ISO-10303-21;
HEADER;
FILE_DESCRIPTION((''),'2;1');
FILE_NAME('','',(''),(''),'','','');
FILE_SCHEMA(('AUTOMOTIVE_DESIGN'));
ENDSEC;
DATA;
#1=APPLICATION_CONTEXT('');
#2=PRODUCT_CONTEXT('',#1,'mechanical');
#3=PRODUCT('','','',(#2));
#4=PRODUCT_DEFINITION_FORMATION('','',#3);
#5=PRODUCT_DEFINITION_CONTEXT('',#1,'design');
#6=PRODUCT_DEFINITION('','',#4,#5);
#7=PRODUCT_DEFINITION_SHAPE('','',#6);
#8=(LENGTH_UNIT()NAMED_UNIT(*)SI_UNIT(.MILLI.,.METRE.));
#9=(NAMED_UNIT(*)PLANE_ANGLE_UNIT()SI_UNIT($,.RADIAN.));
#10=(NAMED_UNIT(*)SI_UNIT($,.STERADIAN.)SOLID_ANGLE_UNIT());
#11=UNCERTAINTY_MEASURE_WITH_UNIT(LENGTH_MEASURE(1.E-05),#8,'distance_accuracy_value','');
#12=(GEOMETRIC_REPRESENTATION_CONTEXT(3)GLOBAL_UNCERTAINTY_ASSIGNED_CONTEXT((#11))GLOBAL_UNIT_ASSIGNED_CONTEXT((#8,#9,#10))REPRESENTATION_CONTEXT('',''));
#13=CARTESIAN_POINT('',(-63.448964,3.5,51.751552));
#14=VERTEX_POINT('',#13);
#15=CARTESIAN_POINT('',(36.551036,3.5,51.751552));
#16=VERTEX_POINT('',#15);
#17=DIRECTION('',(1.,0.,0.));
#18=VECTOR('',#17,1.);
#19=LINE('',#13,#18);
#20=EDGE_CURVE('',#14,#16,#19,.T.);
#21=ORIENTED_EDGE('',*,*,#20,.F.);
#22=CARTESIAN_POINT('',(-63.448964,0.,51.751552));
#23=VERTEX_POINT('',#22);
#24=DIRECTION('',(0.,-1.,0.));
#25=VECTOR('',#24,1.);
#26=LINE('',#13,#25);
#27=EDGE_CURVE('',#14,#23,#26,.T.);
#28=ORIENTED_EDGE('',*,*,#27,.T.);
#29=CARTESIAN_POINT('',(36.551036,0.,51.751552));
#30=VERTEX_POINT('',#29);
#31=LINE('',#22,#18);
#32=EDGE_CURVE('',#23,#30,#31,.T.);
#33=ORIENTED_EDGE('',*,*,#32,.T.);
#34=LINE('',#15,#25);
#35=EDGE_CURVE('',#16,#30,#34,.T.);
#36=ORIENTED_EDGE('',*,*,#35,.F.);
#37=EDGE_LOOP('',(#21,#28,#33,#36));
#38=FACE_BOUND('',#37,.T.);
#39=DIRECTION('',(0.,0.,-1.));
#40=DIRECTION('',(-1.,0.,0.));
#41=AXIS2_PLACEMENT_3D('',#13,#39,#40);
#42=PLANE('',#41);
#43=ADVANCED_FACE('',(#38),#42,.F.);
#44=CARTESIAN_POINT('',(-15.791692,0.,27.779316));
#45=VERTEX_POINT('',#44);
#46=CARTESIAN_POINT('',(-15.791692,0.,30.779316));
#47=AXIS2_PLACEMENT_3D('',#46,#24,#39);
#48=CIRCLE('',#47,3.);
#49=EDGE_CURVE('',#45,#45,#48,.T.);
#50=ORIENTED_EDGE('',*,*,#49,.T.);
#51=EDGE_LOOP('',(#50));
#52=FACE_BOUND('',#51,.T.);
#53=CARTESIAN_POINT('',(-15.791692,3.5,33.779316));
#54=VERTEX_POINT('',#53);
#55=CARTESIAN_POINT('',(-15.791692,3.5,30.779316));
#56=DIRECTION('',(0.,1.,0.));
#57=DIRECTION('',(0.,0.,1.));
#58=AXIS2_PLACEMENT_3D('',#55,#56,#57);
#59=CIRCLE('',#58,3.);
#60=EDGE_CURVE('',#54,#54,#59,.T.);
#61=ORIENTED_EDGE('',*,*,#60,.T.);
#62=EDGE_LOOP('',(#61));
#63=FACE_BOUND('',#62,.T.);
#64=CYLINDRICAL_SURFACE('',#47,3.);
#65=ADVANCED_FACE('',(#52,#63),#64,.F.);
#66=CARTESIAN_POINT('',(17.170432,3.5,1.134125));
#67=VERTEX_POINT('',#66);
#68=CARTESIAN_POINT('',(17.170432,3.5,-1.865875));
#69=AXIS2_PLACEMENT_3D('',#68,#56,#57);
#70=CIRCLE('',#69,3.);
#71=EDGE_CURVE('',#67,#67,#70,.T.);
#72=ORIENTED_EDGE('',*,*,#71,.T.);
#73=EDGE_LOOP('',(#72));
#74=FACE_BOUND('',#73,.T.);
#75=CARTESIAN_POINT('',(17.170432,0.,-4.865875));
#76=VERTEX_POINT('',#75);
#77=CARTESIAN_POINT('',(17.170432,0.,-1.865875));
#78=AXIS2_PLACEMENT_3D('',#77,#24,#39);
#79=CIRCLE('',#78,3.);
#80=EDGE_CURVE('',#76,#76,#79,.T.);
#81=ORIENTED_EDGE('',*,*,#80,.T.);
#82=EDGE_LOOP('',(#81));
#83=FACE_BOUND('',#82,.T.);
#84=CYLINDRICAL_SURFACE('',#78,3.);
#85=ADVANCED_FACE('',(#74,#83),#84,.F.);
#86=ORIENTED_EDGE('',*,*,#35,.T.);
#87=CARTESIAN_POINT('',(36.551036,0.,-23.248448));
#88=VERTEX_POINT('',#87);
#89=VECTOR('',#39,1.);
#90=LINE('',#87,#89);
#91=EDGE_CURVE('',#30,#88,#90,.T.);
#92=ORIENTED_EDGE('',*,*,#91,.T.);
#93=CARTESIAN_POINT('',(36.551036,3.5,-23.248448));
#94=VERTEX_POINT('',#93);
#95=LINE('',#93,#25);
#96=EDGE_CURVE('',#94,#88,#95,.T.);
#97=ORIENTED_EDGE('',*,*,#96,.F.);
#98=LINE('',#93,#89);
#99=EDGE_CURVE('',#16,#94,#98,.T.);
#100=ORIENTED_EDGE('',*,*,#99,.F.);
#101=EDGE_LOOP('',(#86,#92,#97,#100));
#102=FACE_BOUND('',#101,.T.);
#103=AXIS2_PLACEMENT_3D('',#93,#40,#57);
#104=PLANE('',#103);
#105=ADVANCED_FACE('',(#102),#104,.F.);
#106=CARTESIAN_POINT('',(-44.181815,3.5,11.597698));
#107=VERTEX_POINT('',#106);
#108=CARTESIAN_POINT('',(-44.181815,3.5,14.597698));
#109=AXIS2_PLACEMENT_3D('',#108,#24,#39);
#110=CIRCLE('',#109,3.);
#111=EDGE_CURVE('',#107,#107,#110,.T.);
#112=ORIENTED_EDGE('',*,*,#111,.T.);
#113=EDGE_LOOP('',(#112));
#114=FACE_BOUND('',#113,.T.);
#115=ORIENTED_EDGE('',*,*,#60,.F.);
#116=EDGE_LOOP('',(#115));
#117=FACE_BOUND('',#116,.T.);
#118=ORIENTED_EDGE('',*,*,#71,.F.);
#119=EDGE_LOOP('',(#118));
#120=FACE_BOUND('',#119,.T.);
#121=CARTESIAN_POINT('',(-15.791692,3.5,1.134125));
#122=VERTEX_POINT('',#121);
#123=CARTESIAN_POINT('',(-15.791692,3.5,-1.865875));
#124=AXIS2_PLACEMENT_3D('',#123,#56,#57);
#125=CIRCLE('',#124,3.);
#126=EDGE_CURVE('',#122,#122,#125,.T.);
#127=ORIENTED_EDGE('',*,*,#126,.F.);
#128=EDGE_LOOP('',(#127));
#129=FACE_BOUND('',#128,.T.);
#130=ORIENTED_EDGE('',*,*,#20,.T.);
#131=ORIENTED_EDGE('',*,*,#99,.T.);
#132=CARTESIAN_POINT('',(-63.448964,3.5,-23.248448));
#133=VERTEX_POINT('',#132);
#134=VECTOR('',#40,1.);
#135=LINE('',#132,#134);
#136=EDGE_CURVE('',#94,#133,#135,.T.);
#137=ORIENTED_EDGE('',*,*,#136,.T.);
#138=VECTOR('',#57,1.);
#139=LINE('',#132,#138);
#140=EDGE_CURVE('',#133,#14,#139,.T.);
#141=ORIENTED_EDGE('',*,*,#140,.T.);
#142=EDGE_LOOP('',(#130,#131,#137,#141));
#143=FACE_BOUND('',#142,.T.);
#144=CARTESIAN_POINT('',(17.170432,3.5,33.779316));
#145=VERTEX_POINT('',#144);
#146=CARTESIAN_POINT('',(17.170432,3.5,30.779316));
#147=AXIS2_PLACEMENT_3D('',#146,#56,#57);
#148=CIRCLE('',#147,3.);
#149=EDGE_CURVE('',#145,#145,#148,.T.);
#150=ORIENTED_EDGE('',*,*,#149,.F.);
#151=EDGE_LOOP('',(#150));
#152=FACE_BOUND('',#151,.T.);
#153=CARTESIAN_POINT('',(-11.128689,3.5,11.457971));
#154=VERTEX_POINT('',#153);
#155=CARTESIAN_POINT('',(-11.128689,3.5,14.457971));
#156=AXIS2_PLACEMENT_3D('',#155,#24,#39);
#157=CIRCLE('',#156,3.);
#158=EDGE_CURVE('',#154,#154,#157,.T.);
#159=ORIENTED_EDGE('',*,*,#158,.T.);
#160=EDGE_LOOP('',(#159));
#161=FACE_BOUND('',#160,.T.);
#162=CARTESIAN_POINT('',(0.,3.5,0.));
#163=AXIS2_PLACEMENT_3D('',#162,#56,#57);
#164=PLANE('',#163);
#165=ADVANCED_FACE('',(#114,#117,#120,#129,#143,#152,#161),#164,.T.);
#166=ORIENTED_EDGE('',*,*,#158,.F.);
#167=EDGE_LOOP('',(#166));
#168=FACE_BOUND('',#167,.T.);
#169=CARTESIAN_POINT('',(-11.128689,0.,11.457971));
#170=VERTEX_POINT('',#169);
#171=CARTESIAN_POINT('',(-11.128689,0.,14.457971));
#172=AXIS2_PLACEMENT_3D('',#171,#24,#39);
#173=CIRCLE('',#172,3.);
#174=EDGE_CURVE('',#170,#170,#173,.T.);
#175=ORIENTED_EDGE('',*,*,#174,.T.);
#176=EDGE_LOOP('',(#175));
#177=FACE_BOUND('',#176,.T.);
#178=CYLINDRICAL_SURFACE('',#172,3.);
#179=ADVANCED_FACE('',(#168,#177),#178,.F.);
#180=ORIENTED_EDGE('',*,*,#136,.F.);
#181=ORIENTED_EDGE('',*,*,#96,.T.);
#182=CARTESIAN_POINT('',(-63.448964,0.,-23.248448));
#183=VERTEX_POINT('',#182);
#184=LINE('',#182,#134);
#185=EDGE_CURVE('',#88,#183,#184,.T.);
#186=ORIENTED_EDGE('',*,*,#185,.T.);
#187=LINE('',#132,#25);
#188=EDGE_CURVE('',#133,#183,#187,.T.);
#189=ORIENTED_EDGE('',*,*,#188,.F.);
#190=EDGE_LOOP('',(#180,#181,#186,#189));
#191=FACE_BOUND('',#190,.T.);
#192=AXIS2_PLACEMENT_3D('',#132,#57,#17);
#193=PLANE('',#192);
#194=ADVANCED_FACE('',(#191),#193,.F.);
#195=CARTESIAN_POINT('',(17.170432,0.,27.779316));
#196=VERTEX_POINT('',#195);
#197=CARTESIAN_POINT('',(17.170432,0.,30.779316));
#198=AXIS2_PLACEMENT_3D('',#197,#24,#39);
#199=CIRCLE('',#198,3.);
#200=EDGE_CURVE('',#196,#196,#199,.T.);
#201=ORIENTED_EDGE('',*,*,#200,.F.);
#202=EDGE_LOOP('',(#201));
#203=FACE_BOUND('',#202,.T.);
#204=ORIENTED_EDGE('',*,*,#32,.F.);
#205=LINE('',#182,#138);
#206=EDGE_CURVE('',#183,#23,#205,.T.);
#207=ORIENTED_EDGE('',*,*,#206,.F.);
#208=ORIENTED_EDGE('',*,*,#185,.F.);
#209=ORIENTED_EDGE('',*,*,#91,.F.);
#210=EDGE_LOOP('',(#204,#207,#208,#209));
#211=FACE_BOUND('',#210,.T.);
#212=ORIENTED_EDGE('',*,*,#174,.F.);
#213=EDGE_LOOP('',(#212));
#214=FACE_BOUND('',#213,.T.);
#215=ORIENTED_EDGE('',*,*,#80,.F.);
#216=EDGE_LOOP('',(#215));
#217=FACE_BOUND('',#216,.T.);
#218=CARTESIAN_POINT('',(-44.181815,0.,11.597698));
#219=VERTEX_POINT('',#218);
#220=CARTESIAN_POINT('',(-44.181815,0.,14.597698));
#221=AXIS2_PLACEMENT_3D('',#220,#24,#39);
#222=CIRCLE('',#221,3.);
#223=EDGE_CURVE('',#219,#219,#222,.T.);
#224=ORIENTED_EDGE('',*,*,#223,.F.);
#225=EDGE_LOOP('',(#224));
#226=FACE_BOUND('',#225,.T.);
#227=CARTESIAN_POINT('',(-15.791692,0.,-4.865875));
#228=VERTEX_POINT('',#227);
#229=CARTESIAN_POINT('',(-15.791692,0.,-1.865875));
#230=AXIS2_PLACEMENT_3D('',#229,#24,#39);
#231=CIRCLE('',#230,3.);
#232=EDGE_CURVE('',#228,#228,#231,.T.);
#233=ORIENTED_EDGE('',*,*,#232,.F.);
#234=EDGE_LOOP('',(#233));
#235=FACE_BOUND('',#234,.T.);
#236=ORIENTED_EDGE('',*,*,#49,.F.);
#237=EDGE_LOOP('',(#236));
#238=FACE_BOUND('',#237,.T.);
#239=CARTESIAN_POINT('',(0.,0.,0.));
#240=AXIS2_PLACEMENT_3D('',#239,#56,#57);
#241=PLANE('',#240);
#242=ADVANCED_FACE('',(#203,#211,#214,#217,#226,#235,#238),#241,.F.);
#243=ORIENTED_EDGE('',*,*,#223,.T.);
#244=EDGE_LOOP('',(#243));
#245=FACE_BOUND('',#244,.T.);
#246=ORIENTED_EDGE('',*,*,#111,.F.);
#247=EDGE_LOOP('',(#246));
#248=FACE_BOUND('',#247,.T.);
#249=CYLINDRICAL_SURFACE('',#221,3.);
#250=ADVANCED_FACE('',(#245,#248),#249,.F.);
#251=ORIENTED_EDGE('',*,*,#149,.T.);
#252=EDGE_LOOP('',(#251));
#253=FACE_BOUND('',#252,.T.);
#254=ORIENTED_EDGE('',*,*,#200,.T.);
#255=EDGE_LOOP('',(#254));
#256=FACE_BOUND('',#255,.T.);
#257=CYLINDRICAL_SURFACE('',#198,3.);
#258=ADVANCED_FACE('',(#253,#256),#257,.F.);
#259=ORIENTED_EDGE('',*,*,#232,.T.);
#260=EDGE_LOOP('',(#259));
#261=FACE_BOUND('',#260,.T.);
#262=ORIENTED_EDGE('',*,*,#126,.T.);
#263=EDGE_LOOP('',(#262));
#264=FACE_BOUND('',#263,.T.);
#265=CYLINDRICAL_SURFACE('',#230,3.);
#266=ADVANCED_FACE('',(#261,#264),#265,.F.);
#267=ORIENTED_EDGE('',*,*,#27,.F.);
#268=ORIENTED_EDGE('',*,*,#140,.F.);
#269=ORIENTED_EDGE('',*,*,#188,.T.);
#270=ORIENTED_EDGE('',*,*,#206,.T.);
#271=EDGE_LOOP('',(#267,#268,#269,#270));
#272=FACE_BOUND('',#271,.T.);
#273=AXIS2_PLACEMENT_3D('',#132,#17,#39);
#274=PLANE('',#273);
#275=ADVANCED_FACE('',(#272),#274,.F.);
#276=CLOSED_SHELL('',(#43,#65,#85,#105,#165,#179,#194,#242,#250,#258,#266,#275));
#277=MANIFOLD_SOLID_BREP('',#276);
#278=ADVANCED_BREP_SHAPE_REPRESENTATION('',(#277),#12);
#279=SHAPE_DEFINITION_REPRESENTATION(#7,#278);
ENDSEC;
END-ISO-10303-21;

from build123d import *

# Parameters (mm, degrees)
SKETCH1_W                 = 100
SKETCH1_H                 = 75
BOSS_EXTRUDE1_DEPTH       = 3.5
F_6_0MM_DOWEL_HOLE5_D     = 6
F_6_0MM_DOWEL_HOLE5_DEPTH = 5.2
F_6_0MM_DOWEL_HOLE5_TIP   = 1.802581857
F_6_0MM_DOWEL_HOLE6_D     = 6
F_6_0MM_DOWEL_HOLE6_DEPTH = 5.2
F_6_0MM_DOWEL_HOLE6_TIP   = 1.802581857
F_6_0MM_DOWEL_HOLE7_D     = 6
F_6_0MM_DOWEL_HOLE7_DEPTH = 5.2
F_6_0MM_DOWEL_HOLE7_TIP   = 1.802581857
F_6_0MM_DOWEL_HOLE8_D     = 6
F_6_0MM_DOWEL_HOLE8_DEPTH = 5.2
F_6_0MM_DOWEL_HOLE8_TIP   = 1.802581857
F_6_0MM_DOWEL_HOLE9_D     = 6
F_6_0MM_DOWEL_HOLE10_D    = 6


with BuildPart() as part:
    # Sketch1 → Boss-Extrude1 (new body)
    with BuildSketch(Plane(origin=(0, 0, 0), x_dir=(1, 0, 0), z_dir=(0, 1, 0))):
        with Locations((-13.448964329, -14.251552142)):
            Rectangle(SKETCH1_W, SKETCH1_H)
    extrude(amount=BOSS_EXTRUDE1_DEPTH)

    # Ø6.0mm Dowel Hole5
    with Locations(Plane(origin=(-137.528418299, 0, 99.034606683), x_dir=(-1, 0, 0), z_dir=(0, -1, 0))):
        with Locations((-154.698850598, 100.900481409)):
            Hole(F_6_0MM_DOWEL_HOLE5_D / 2, depth=F_6_0MM_DOWEL_HOLE5_DEPTH)
            with Locations((0, 0, -(F_6_0MM_DOWEL_HOLE5_DEPTH + F_6_0MM_DOWEL_HOLE5_TIP / 2))):  # 118° drill point
                Cone(0, F_6_0MM_DOWEL_HOLE5_D / 2, F_6_0MM_DOWEL_HOLE5_TIP, mode=Mode.SUBTRACT)

    # Ø6.0mm Dowel Hole6
    with Locations(Plane(origin=(-137.528418299, 0, 99.034606683), x_dir=(-1, 0, 0), z_dir=(0, -1, 0))):
        with Locations((-121.736726509, 100.900481409)):
            Hole(F_6_0MM_DOWEL_HOLE6_D / 2, depth=F_6_0MM_DOWEL_HOLE6_DEPTH)
            with Locations((0, 0, -(F_6_0MM_DOWEL_HOLE6_DEPTH + F_6_0MM_DOWEL_HOLE6_TIP / 2))):  # 118° drill point
                Cone(0, F_6_0MM_DOWEL_HOLE6_D / 2, F_6_0MM_DOWEL_HOLE6_TIP, mode=Mode.SUBTRACT)

    # Ø6.0mm Dowel Hole7
    with Locations(Plane(origin=(-137.528418299, 0, 99.034606683), x_dir=(-1, 0, 0), z_dir=(0, -1, 0))):
        with Locations((-154.698850598, 68.255290468)):
            Hole(F_6_0MM_DOWEL_HOLE7_D / 2, depth=F_6_0MM_DOWEL_HOLE7_DEPTH)
            with Locations((0, 0, -(F_6_0MM_DOWEL_HOLE7_DEPTH + F_6_0MM_DOWEL_HOLE7_TIP / 2))):  # 118° drill point
                Cone(0, F_6_0MM_DOWEL_HOLE7_D / 2, F_6_0MM_DOWEL_HOLE7_TIP, mode=Mode.SUBTRACT)

    # Ø6.0mm Dowel Hole8
    with Locations(Plane(origin=(-137.528418299, 0, 99.034606683), x_dir=(-1, 0, 0), z_dir=(0, -1, 0))):
        with Locations((-121.736726509, 68.255290468)):
            Hole(F_6_0MM_DOWEL_HOLE8_D / 2, depth=F_6_0MM_DOWEL_HOLE8_DEPTH)
            with Locations((0, 0, -(F_6_0MM_DOWEL_HOLE8_DEPTH + F_6_0MM_DOWEL_HOLE8_TIP / 2))):  # 118° drill point
                Cone(0, F_6_0MM_DOWEL_HOLE8_D / 2, F_6_0MM_DOWEL_HOLE8_TIP, mode=Mode.SUBTRACT)

    # Ø6.0mm Dowel Hole9 (through all)
    with Locations(Plane(origin=(-137.528418299, 0, 99.034606683), x_dir=(-1, 0, 0), z_dir=(0, -1, 0))):
        with Locations((-93.346603373, 84.436908191)):
            Hole(F_6_0MM_DOWEL_HOLE9_D / 2)

    # Ø6.0mm Dowel Hole10 (through all)
    with Locations(Plane(origin=(-137.528418299, 0, 99.034606683), x_dir=(-1, 0, 0), z_dir=(0, -1, 0))):
        with Locations((-126.399729662, 84.576636181)):
            Hole(F_6_0MM_DOWEL_HOLE10_D / 2)


solid = part.part
